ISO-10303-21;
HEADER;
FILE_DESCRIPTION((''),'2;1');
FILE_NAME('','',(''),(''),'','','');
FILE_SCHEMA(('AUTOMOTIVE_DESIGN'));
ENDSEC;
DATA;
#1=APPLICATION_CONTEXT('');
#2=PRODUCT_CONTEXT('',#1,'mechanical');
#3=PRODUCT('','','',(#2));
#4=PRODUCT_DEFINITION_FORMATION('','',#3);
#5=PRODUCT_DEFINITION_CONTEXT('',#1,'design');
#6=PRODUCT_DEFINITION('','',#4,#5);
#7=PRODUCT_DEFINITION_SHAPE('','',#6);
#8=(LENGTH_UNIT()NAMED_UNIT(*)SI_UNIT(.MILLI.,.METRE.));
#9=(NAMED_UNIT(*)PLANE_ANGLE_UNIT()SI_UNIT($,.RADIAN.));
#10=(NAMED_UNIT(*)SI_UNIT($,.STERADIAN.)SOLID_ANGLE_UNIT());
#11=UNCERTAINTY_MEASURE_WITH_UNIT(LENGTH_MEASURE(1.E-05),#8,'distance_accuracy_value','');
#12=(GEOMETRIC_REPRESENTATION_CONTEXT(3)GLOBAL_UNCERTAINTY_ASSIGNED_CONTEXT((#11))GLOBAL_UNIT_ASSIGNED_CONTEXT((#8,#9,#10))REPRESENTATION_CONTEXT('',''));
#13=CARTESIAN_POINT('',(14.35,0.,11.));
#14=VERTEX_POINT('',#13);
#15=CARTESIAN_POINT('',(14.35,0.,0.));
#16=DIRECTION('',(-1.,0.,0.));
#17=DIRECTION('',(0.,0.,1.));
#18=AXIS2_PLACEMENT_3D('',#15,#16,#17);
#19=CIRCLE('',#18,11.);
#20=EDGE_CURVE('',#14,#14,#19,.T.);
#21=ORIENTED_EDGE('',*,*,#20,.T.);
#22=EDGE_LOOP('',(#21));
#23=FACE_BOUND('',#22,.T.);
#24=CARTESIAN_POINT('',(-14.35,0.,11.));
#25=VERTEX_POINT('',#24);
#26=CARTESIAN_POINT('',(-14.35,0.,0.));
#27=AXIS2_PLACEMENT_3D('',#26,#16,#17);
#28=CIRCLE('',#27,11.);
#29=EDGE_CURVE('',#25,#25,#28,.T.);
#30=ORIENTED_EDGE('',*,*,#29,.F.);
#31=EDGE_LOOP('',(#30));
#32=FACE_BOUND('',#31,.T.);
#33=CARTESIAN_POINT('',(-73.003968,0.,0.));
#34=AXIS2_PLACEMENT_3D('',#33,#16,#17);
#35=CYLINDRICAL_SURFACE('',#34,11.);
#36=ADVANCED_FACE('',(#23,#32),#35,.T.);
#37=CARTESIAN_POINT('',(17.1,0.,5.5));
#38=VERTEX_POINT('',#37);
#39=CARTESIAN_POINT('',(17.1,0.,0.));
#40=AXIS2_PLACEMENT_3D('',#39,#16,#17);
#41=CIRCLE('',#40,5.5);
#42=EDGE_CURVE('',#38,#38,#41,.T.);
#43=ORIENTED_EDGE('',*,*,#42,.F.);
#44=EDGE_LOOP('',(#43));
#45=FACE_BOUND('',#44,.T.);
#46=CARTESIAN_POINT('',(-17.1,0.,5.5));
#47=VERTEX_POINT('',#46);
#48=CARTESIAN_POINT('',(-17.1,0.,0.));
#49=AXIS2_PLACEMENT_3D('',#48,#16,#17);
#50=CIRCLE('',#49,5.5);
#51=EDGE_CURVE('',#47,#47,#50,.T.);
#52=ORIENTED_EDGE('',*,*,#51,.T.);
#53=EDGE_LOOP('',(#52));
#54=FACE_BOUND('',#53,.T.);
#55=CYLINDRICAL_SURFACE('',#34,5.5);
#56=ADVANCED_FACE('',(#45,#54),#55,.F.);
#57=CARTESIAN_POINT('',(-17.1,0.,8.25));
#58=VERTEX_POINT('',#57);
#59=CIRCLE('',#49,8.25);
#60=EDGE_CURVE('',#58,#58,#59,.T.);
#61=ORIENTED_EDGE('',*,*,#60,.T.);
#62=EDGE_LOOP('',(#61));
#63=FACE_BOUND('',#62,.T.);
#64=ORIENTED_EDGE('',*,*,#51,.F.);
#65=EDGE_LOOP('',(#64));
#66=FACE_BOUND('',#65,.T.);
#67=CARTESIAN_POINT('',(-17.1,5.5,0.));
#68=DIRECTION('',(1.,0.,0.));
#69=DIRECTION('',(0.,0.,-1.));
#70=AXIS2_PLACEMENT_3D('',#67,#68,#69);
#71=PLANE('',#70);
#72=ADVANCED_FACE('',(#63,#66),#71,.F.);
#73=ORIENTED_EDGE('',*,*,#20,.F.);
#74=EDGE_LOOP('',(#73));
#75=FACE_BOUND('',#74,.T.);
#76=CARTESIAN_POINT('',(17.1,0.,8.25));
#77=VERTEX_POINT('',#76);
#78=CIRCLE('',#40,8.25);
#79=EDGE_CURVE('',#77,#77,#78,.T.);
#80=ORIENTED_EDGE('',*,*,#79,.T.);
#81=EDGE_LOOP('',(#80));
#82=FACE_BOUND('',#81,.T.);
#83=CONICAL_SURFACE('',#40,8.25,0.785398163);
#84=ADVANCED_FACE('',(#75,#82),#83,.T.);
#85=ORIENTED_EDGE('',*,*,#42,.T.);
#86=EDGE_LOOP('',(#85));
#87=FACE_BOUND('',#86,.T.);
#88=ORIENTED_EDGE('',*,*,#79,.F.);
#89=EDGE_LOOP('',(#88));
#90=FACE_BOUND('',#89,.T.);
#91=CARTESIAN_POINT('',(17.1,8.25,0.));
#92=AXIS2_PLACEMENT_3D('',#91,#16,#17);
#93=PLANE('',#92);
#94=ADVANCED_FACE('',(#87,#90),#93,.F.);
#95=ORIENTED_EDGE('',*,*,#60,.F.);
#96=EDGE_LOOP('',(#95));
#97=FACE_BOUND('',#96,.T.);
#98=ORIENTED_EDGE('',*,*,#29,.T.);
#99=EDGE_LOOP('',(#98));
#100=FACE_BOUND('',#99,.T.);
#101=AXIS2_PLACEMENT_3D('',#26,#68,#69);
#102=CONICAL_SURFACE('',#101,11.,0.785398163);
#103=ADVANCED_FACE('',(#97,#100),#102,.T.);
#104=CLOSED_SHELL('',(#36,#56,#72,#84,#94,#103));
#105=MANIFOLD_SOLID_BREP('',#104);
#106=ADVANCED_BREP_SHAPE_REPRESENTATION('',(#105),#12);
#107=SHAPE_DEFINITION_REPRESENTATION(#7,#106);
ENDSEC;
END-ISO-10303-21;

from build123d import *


with BuildPart() as part:
    # Sketch1 → Revolve1 (revolve)
    with BuildSketch(Plane.XY, mode=Mode.PRIVATE) as revolve1_sk:
        Polygon((-17.1, 5.5), (-17.1, 8.25), (-14.35, 11), (14.35, 11), (17.1, 8.25), (17.1, 5.5), align=None)
    revolve(revolve1_sk.sketch.rotate(Axis((-73.003968473, 0, 0), (1, 0, 0)), 90), axis=Axis((-73.003968473, 0, 0), (1, 0, 0)))


solid = part.part
